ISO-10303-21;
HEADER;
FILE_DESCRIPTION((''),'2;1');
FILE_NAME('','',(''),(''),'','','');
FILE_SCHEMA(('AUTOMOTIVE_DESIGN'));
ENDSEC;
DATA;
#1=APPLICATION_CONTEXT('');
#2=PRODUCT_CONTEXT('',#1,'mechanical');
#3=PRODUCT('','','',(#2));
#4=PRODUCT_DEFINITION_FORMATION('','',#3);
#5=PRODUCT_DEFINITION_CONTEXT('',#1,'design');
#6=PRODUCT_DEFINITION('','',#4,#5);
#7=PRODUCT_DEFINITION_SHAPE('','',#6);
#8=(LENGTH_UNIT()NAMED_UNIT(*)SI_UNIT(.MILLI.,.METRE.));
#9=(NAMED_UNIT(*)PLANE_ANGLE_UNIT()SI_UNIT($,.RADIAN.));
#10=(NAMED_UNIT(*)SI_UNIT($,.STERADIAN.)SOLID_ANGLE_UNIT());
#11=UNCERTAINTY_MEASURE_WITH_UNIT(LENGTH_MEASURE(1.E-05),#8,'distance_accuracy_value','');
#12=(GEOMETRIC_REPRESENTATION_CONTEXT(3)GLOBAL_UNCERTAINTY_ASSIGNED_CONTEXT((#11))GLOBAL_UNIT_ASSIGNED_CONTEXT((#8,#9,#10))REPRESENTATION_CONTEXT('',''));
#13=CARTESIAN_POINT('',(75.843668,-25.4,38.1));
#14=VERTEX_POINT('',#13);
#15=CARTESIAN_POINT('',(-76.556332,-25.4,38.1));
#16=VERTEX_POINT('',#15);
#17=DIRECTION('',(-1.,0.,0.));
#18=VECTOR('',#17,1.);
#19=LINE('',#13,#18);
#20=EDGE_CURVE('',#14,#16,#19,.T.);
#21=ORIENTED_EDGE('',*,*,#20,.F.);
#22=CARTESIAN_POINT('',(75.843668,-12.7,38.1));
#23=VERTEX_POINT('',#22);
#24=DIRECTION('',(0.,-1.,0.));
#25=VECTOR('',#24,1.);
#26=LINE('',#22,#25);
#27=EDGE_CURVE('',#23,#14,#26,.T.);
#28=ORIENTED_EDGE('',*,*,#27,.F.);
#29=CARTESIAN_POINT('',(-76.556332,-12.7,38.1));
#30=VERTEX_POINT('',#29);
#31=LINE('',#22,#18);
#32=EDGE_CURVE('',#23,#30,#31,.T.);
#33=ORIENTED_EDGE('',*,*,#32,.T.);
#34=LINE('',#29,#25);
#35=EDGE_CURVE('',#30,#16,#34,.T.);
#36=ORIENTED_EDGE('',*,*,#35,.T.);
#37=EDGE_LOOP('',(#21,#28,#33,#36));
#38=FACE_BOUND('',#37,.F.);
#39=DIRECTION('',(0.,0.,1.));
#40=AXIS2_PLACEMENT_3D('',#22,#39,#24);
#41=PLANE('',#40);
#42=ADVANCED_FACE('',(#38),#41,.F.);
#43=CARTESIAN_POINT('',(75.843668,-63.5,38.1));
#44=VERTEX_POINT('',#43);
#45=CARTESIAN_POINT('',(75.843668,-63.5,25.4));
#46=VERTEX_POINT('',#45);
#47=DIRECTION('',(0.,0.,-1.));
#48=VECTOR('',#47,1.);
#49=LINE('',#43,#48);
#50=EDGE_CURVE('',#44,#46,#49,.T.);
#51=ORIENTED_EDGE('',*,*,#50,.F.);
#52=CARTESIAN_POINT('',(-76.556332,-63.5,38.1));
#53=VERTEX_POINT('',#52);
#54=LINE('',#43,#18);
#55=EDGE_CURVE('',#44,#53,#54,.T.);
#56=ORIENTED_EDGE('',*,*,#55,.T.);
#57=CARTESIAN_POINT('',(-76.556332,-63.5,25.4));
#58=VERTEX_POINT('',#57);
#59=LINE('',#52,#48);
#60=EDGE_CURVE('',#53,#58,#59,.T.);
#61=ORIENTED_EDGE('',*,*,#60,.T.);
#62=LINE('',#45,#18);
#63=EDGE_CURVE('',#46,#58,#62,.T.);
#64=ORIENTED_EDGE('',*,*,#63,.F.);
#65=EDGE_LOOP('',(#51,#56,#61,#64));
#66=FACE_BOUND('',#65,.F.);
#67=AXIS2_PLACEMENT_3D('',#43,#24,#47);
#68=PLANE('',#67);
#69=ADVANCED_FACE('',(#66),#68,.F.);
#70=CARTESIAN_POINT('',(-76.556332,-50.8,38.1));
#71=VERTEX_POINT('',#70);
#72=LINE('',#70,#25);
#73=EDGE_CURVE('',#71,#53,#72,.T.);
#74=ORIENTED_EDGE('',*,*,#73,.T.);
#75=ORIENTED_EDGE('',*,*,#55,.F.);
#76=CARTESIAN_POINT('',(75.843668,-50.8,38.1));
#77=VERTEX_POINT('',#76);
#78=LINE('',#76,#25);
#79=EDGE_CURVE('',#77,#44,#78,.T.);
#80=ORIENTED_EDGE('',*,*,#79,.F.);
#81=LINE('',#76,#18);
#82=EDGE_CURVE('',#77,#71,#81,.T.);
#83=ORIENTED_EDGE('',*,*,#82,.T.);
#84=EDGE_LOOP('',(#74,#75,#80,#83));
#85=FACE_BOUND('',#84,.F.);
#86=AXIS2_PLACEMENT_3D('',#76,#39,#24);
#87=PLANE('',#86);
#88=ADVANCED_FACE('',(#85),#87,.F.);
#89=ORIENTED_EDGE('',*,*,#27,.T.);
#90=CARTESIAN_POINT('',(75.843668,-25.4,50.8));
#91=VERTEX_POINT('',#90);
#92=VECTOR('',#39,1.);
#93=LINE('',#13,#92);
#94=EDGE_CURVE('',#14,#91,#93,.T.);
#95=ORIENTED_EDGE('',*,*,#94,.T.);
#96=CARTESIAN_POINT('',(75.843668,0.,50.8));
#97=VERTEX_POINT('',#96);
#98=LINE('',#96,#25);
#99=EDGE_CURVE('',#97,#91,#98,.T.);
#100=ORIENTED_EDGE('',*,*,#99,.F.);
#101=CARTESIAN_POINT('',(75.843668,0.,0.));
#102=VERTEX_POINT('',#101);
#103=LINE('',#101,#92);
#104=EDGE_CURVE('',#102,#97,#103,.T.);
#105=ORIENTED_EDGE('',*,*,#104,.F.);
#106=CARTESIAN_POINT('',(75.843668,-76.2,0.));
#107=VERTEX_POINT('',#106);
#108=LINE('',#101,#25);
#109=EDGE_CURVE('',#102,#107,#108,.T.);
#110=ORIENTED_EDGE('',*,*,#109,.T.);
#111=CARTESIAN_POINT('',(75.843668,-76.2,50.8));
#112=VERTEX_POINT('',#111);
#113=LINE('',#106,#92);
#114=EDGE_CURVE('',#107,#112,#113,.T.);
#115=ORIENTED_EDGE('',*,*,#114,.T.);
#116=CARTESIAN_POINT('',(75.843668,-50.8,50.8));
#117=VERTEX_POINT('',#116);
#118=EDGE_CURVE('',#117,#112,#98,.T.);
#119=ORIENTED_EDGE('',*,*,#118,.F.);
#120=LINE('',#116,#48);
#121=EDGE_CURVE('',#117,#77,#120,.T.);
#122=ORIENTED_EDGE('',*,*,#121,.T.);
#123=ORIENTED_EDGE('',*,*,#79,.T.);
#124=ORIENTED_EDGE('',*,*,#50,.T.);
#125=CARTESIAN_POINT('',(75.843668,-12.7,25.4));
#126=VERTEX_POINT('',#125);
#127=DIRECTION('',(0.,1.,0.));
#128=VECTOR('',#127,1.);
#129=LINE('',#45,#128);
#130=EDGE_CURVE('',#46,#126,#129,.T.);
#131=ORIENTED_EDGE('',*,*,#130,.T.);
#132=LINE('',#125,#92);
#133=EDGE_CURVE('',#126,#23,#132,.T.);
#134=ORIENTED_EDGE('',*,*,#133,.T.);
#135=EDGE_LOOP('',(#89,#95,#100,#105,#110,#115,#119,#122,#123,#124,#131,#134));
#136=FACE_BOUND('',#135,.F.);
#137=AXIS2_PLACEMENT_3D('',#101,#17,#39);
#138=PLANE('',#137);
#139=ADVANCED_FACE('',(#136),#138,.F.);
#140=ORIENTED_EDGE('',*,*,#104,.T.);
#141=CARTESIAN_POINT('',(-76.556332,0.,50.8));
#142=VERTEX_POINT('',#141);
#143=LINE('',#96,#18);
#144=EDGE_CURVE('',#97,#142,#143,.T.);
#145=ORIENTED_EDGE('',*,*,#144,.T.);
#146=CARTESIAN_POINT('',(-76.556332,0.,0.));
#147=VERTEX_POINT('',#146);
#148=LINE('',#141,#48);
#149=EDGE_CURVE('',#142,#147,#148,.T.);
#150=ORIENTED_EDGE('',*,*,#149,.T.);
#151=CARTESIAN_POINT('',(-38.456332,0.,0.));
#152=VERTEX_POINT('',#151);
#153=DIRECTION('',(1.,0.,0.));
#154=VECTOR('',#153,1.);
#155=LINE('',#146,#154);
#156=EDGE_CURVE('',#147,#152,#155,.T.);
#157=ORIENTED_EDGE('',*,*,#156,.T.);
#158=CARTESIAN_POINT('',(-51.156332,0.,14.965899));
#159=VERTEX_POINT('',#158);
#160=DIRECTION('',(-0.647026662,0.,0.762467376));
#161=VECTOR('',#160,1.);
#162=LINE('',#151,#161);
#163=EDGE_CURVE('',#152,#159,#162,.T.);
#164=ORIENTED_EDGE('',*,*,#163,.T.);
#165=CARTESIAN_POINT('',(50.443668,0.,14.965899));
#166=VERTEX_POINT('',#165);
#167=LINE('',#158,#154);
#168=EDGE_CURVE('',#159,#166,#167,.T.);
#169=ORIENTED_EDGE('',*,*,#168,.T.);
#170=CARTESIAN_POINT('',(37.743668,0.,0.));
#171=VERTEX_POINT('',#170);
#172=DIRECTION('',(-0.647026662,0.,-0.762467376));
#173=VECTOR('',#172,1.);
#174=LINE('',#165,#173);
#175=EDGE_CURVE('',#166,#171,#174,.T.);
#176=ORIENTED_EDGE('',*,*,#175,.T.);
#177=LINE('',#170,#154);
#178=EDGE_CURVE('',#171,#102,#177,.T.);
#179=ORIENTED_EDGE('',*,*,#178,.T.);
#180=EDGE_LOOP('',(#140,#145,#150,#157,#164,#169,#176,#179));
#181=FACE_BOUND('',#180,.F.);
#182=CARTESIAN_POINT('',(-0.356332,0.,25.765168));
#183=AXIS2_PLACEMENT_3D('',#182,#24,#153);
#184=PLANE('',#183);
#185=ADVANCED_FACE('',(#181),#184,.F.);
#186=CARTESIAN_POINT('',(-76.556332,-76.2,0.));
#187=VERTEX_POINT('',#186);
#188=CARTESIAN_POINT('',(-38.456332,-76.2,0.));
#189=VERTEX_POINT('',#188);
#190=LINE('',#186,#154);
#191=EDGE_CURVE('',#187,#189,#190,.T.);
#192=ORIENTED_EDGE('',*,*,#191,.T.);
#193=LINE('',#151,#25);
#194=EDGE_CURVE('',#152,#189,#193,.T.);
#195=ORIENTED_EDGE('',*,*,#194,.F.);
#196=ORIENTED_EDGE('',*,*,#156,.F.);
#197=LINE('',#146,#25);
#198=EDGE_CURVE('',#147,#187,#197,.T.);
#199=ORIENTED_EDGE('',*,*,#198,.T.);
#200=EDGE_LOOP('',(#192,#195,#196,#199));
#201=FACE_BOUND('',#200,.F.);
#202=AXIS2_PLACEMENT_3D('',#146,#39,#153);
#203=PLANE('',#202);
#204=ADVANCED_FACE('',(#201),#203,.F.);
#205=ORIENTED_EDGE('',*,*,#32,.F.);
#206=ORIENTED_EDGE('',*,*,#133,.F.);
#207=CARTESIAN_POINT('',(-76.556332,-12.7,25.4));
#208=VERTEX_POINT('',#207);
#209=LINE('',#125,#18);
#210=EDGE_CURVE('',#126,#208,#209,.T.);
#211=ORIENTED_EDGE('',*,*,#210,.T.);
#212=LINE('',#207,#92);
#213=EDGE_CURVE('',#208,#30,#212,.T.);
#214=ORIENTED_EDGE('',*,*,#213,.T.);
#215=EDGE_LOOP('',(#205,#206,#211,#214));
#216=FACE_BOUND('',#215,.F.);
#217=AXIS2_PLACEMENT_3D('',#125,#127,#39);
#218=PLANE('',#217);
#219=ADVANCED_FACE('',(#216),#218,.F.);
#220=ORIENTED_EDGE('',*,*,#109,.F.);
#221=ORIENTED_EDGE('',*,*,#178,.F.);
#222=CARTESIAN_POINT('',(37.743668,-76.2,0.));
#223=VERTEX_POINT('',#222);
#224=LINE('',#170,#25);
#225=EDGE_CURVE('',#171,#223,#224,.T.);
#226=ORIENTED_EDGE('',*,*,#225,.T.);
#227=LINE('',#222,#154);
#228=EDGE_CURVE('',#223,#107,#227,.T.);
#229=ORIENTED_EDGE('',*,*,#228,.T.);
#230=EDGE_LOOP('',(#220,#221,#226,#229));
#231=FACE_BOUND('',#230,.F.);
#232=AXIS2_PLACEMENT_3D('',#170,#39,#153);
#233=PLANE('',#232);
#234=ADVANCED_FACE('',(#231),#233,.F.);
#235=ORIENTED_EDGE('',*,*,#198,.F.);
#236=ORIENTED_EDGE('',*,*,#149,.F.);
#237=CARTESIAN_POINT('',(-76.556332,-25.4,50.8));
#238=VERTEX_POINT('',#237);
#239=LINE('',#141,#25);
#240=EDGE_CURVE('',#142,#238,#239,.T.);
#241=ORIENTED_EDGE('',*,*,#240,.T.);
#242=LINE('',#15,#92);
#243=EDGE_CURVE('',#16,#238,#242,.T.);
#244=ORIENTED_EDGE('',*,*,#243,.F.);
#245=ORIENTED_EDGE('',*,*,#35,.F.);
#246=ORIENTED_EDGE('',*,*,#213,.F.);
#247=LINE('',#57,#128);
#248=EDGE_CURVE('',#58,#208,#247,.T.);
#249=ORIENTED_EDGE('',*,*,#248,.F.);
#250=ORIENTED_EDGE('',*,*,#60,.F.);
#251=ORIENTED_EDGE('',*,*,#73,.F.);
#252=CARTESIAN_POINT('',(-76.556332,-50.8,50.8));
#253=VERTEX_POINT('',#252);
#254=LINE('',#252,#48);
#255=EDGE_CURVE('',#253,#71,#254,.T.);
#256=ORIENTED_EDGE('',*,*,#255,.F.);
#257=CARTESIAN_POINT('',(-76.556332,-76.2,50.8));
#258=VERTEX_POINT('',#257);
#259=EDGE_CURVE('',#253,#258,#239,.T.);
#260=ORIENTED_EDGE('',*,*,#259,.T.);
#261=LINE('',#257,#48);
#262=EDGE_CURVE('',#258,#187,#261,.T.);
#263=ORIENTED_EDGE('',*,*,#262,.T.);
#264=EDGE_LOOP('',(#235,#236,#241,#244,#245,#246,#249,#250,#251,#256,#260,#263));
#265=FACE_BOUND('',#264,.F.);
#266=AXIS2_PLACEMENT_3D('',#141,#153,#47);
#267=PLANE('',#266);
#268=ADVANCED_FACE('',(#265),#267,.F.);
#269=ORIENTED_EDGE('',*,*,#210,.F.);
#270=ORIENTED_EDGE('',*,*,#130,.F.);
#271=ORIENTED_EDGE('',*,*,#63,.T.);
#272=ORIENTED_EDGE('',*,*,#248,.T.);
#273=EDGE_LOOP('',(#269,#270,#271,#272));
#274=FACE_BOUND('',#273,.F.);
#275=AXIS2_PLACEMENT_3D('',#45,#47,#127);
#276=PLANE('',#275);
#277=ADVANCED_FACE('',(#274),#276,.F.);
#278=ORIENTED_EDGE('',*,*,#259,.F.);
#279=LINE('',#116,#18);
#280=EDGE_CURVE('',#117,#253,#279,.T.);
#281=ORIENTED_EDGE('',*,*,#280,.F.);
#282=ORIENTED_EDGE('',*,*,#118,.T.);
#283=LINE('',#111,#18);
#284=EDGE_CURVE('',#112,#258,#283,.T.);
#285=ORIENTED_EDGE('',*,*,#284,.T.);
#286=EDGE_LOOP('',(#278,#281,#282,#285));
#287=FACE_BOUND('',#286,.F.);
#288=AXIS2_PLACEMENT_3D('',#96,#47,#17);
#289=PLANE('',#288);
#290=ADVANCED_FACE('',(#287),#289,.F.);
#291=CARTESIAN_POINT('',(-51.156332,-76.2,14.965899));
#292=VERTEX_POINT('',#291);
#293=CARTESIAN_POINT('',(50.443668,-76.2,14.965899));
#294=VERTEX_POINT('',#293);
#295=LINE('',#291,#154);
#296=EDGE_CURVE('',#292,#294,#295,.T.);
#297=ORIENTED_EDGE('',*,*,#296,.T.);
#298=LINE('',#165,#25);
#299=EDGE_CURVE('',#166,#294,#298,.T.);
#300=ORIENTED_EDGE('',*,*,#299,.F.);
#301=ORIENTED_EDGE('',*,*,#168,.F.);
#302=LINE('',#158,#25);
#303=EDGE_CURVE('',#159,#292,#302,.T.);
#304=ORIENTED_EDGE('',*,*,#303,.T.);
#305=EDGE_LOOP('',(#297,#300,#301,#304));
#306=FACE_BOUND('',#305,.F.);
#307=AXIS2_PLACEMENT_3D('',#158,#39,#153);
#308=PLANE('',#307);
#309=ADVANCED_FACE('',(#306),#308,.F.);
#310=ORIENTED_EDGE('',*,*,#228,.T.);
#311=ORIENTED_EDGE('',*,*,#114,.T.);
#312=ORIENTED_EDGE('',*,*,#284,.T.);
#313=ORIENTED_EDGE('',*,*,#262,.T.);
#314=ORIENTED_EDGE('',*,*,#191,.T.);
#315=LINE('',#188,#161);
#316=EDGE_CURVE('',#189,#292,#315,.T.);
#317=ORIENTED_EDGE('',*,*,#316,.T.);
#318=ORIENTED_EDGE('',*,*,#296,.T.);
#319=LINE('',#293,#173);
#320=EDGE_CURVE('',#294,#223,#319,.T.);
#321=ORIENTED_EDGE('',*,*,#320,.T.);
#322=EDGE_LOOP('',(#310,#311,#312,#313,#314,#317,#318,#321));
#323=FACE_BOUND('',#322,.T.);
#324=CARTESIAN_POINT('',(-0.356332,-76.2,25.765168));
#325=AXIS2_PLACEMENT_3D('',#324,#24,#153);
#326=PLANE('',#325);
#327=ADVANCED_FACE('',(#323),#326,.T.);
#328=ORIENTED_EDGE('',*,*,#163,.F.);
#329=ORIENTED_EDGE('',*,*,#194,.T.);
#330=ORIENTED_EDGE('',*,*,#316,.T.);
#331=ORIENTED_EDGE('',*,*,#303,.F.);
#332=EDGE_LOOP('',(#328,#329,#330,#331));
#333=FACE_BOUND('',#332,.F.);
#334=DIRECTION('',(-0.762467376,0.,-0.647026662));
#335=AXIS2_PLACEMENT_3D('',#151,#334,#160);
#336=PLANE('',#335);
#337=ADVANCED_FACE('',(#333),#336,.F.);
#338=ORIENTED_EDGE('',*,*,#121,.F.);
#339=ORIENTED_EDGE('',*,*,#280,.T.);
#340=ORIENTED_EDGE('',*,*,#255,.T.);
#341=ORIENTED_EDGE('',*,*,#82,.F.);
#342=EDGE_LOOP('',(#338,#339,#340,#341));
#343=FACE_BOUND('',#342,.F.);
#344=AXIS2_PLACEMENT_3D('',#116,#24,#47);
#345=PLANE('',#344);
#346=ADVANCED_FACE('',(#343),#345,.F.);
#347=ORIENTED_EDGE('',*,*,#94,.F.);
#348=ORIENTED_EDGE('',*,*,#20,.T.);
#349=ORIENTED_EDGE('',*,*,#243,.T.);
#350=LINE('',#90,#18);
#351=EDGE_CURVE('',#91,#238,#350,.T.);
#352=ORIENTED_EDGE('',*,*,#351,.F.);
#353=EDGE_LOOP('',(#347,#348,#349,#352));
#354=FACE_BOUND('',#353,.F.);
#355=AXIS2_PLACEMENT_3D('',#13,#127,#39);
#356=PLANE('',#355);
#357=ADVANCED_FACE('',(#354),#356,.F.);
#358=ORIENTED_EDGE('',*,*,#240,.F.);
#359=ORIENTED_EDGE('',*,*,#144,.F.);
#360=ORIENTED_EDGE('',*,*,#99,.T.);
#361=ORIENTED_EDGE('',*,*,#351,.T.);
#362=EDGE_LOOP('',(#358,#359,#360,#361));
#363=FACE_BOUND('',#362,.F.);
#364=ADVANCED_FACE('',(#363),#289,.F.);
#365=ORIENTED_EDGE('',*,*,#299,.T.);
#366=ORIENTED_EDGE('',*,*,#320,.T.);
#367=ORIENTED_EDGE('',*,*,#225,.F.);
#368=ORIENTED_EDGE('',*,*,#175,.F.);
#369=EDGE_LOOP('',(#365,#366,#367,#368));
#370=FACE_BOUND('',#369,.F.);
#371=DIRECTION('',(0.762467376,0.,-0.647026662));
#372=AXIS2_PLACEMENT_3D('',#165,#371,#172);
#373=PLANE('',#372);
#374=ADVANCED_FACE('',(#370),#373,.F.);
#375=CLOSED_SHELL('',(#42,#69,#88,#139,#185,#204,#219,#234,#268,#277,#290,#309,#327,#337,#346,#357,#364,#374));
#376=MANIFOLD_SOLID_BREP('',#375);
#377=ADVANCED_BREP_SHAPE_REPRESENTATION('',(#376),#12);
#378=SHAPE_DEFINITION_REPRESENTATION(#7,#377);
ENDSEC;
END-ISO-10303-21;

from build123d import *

# Parameters (mm, degrees)
F1_DEPTH = 76.2
F3_DEPTH = 152.4


with BuildPart() as f1:
    # F0 (on Front) → F1 (new body)
    with BuildSketch(Plane.XZ):
        Polygon((75.843668, 50.8), (-76.556332, 50.8), (-76.556332, 0), (-38.456332, 0), (-51.156332, 14.965899), (50.443668, 14.965899), (37.743668, 0), (71.951441, 0), (75.843668, 0), align=None)
    extrude(amount=F1_DEPTH)

    # F2 (on face) → F3 (cut)
    with BuildSketch(Plane.YZ.offset(75.843668)):
        Polygon((-25.4, 50.8), (-50.8, 50.8), (-50.8, 38.1), (-63.5, 38.1), (-63.5, 25.4), (-12.7, 25.4), (-12.7, 38.1), (-25.4, 38.1), align=None)
    extrude(amount=-F3_DEPTH, mode=Mode.SUBTRACT)


solid = f1.part
